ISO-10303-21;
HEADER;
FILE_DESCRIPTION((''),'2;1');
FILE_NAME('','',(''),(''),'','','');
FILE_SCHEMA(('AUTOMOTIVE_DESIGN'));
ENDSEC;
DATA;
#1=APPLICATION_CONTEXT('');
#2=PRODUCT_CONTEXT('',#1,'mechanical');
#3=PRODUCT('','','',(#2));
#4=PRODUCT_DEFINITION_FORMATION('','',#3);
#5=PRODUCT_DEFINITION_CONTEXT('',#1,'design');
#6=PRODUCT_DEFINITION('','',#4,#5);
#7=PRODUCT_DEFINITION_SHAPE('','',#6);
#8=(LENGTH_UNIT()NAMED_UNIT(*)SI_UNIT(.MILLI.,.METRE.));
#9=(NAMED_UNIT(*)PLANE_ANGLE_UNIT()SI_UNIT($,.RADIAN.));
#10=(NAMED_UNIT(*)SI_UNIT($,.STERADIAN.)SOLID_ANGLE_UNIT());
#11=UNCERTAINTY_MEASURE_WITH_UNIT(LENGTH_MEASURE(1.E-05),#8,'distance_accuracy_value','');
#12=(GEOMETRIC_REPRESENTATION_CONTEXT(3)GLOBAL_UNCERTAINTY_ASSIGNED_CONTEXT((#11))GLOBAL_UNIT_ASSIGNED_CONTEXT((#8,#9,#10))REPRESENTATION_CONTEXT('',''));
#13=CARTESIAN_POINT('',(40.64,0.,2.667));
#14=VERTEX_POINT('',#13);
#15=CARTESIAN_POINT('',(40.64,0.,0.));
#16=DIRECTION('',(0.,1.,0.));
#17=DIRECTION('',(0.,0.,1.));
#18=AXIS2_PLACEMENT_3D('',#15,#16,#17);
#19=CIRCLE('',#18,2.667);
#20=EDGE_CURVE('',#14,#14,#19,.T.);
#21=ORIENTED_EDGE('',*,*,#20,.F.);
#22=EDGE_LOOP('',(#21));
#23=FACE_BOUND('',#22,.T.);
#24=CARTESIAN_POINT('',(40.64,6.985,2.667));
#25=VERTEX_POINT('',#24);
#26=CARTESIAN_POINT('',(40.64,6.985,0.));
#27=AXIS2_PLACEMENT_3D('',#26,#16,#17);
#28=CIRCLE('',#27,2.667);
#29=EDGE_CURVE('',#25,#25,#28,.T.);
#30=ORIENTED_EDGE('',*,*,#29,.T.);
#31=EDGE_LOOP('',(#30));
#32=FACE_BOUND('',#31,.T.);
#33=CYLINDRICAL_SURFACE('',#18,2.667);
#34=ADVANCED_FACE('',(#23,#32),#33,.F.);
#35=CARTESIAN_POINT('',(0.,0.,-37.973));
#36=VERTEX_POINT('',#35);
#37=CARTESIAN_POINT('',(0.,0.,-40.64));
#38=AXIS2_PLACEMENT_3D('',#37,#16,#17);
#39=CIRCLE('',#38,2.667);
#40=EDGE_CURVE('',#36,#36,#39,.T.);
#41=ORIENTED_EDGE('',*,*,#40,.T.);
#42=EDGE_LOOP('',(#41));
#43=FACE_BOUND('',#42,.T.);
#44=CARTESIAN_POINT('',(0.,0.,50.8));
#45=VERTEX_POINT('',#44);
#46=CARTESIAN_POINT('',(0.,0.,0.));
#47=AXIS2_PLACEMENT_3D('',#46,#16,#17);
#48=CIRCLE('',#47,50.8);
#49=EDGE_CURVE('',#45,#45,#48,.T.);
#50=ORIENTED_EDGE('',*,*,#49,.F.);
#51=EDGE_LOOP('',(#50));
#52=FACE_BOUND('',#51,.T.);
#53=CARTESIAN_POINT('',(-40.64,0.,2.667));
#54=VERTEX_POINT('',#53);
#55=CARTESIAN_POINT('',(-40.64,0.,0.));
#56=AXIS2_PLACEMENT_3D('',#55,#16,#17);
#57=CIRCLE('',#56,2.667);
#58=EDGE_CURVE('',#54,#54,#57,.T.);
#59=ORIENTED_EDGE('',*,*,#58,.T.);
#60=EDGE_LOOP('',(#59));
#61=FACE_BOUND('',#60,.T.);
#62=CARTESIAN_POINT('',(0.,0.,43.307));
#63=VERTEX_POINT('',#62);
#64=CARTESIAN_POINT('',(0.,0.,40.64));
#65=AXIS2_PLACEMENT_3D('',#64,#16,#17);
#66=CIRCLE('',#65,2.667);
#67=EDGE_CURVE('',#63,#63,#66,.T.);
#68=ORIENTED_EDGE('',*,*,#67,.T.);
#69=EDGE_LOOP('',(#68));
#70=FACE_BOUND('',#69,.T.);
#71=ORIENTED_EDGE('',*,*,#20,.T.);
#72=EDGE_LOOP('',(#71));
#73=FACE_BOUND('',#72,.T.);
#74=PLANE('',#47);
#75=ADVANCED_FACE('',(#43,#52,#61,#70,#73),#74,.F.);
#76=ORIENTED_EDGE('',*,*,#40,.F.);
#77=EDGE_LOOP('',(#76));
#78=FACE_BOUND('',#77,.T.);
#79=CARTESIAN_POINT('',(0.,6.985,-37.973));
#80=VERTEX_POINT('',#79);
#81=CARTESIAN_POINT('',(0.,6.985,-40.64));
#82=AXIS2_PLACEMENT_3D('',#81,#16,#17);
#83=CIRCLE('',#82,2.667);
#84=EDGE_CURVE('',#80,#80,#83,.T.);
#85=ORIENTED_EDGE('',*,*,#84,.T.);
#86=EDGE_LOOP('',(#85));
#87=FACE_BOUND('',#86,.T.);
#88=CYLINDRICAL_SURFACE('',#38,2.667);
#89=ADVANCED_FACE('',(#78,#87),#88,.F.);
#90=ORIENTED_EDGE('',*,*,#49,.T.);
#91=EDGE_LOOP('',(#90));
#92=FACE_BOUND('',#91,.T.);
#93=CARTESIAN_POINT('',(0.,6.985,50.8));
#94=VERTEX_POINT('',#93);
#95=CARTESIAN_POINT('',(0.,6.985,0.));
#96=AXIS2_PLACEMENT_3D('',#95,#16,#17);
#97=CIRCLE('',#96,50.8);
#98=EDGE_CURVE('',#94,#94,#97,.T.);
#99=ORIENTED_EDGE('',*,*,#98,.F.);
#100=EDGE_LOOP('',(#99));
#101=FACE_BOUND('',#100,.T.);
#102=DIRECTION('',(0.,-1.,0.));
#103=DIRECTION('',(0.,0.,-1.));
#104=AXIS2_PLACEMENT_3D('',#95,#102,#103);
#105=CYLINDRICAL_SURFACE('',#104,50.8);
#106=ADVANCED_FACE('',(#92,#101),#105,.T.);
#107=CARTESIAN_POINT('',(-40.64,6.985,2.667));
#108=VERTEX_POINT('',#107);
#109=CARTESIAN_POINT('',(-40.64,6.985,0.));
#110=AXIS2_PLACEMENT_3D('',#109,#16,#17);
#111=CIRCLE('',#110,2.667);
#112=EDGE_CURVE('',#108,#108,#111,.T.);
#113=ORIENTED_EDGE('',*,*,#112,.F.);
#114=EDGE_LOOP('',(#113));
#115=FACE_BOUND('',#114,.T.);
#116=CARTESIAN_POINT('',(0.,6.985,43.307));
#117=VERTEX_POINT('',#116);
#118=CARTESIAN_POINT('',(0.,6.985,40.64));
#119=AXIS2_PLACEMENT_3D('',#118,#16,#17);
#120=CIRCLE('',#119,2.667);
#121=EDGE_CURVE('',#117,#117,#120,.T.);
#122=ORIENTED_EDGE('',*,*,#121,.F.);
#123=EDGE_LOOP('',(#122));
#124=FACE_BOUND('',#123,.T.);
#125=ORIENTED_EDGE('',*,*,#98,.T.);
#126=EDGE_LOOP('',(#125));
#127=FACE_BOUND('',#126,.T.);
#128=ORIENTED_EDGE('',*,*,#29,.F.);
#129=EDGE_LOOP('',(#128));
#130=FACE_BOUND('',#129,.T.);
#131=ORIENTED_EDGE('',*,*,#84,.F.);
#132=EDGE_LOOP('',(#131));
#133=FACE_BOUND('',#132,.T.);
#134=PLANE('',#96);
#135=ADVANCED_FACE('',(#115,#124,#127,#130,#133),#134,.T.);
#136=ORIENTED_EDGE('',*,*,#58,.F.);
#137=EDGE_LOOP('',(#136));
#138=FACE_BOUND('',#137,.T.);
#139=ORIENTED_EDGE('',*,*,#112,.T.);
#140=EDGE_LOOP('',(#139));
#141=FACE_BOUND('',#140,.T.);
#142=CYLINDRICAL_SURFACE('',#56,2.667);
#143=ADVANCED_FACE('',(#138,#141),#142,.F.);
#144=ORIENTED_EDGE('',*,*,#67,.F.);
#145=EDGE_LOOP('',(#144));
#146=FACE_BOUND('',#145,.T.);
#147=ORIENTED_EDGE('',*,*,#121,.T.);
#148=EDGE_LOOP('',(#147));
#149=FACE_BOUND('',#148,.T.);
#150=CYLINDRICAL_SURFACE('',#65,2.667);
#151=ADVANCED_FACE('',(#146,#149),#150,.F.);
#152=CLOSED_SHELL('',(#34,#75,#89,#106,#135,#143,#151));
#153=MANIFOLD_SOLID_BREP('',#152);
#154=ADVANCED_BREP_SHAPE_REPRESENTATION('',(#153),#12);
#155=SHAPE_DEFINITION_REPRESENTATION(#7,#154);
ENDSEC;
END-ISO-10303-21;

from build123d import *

# Parameters (mm, degrees)
SKETCH2_R           = 50.8
BOSS_EXTRUDE1_DEPTH = 6.985
SKETCH3_R           = 2.667
CUT_EXTRUDE1_DEPTH  = 7.985


with BuildPart() as part:
    # Sketch2 → Boss-Extrude1 (new body)
    with BuildSketch(Plane(origin=(0, 0, 0), x_dir=(1, 0, 0), z_dir=(0, 1, 0))):
        Circle(SKETCH2_R)
    extrude(amount=BOSS_EXTRUDE1_DEPTH)

    # Sketch3 → Cut-Extrude1 (cut, through all)
    with BuildSketch(Plane(origin=(0, 6.985, 0), x_dir=(1, 0, 0), z_dir=(0, 1, 0))):
        with Locations((0, -40.64)):
            Circle(SKETCH3_R)
        with Locations((-40.64, 0)):
            Circle(SKETCH3_R)
        with Locations((0, 40.64)):
            Circle(SKETCH3_R)
        with Locations((40.64, 0)):
            Circle(SKETCH3_R)
    extrude(amount=-CUT_EXTRUDE1_DEPTH, mode=Mode.SUBTRACT)


solid = part.part
